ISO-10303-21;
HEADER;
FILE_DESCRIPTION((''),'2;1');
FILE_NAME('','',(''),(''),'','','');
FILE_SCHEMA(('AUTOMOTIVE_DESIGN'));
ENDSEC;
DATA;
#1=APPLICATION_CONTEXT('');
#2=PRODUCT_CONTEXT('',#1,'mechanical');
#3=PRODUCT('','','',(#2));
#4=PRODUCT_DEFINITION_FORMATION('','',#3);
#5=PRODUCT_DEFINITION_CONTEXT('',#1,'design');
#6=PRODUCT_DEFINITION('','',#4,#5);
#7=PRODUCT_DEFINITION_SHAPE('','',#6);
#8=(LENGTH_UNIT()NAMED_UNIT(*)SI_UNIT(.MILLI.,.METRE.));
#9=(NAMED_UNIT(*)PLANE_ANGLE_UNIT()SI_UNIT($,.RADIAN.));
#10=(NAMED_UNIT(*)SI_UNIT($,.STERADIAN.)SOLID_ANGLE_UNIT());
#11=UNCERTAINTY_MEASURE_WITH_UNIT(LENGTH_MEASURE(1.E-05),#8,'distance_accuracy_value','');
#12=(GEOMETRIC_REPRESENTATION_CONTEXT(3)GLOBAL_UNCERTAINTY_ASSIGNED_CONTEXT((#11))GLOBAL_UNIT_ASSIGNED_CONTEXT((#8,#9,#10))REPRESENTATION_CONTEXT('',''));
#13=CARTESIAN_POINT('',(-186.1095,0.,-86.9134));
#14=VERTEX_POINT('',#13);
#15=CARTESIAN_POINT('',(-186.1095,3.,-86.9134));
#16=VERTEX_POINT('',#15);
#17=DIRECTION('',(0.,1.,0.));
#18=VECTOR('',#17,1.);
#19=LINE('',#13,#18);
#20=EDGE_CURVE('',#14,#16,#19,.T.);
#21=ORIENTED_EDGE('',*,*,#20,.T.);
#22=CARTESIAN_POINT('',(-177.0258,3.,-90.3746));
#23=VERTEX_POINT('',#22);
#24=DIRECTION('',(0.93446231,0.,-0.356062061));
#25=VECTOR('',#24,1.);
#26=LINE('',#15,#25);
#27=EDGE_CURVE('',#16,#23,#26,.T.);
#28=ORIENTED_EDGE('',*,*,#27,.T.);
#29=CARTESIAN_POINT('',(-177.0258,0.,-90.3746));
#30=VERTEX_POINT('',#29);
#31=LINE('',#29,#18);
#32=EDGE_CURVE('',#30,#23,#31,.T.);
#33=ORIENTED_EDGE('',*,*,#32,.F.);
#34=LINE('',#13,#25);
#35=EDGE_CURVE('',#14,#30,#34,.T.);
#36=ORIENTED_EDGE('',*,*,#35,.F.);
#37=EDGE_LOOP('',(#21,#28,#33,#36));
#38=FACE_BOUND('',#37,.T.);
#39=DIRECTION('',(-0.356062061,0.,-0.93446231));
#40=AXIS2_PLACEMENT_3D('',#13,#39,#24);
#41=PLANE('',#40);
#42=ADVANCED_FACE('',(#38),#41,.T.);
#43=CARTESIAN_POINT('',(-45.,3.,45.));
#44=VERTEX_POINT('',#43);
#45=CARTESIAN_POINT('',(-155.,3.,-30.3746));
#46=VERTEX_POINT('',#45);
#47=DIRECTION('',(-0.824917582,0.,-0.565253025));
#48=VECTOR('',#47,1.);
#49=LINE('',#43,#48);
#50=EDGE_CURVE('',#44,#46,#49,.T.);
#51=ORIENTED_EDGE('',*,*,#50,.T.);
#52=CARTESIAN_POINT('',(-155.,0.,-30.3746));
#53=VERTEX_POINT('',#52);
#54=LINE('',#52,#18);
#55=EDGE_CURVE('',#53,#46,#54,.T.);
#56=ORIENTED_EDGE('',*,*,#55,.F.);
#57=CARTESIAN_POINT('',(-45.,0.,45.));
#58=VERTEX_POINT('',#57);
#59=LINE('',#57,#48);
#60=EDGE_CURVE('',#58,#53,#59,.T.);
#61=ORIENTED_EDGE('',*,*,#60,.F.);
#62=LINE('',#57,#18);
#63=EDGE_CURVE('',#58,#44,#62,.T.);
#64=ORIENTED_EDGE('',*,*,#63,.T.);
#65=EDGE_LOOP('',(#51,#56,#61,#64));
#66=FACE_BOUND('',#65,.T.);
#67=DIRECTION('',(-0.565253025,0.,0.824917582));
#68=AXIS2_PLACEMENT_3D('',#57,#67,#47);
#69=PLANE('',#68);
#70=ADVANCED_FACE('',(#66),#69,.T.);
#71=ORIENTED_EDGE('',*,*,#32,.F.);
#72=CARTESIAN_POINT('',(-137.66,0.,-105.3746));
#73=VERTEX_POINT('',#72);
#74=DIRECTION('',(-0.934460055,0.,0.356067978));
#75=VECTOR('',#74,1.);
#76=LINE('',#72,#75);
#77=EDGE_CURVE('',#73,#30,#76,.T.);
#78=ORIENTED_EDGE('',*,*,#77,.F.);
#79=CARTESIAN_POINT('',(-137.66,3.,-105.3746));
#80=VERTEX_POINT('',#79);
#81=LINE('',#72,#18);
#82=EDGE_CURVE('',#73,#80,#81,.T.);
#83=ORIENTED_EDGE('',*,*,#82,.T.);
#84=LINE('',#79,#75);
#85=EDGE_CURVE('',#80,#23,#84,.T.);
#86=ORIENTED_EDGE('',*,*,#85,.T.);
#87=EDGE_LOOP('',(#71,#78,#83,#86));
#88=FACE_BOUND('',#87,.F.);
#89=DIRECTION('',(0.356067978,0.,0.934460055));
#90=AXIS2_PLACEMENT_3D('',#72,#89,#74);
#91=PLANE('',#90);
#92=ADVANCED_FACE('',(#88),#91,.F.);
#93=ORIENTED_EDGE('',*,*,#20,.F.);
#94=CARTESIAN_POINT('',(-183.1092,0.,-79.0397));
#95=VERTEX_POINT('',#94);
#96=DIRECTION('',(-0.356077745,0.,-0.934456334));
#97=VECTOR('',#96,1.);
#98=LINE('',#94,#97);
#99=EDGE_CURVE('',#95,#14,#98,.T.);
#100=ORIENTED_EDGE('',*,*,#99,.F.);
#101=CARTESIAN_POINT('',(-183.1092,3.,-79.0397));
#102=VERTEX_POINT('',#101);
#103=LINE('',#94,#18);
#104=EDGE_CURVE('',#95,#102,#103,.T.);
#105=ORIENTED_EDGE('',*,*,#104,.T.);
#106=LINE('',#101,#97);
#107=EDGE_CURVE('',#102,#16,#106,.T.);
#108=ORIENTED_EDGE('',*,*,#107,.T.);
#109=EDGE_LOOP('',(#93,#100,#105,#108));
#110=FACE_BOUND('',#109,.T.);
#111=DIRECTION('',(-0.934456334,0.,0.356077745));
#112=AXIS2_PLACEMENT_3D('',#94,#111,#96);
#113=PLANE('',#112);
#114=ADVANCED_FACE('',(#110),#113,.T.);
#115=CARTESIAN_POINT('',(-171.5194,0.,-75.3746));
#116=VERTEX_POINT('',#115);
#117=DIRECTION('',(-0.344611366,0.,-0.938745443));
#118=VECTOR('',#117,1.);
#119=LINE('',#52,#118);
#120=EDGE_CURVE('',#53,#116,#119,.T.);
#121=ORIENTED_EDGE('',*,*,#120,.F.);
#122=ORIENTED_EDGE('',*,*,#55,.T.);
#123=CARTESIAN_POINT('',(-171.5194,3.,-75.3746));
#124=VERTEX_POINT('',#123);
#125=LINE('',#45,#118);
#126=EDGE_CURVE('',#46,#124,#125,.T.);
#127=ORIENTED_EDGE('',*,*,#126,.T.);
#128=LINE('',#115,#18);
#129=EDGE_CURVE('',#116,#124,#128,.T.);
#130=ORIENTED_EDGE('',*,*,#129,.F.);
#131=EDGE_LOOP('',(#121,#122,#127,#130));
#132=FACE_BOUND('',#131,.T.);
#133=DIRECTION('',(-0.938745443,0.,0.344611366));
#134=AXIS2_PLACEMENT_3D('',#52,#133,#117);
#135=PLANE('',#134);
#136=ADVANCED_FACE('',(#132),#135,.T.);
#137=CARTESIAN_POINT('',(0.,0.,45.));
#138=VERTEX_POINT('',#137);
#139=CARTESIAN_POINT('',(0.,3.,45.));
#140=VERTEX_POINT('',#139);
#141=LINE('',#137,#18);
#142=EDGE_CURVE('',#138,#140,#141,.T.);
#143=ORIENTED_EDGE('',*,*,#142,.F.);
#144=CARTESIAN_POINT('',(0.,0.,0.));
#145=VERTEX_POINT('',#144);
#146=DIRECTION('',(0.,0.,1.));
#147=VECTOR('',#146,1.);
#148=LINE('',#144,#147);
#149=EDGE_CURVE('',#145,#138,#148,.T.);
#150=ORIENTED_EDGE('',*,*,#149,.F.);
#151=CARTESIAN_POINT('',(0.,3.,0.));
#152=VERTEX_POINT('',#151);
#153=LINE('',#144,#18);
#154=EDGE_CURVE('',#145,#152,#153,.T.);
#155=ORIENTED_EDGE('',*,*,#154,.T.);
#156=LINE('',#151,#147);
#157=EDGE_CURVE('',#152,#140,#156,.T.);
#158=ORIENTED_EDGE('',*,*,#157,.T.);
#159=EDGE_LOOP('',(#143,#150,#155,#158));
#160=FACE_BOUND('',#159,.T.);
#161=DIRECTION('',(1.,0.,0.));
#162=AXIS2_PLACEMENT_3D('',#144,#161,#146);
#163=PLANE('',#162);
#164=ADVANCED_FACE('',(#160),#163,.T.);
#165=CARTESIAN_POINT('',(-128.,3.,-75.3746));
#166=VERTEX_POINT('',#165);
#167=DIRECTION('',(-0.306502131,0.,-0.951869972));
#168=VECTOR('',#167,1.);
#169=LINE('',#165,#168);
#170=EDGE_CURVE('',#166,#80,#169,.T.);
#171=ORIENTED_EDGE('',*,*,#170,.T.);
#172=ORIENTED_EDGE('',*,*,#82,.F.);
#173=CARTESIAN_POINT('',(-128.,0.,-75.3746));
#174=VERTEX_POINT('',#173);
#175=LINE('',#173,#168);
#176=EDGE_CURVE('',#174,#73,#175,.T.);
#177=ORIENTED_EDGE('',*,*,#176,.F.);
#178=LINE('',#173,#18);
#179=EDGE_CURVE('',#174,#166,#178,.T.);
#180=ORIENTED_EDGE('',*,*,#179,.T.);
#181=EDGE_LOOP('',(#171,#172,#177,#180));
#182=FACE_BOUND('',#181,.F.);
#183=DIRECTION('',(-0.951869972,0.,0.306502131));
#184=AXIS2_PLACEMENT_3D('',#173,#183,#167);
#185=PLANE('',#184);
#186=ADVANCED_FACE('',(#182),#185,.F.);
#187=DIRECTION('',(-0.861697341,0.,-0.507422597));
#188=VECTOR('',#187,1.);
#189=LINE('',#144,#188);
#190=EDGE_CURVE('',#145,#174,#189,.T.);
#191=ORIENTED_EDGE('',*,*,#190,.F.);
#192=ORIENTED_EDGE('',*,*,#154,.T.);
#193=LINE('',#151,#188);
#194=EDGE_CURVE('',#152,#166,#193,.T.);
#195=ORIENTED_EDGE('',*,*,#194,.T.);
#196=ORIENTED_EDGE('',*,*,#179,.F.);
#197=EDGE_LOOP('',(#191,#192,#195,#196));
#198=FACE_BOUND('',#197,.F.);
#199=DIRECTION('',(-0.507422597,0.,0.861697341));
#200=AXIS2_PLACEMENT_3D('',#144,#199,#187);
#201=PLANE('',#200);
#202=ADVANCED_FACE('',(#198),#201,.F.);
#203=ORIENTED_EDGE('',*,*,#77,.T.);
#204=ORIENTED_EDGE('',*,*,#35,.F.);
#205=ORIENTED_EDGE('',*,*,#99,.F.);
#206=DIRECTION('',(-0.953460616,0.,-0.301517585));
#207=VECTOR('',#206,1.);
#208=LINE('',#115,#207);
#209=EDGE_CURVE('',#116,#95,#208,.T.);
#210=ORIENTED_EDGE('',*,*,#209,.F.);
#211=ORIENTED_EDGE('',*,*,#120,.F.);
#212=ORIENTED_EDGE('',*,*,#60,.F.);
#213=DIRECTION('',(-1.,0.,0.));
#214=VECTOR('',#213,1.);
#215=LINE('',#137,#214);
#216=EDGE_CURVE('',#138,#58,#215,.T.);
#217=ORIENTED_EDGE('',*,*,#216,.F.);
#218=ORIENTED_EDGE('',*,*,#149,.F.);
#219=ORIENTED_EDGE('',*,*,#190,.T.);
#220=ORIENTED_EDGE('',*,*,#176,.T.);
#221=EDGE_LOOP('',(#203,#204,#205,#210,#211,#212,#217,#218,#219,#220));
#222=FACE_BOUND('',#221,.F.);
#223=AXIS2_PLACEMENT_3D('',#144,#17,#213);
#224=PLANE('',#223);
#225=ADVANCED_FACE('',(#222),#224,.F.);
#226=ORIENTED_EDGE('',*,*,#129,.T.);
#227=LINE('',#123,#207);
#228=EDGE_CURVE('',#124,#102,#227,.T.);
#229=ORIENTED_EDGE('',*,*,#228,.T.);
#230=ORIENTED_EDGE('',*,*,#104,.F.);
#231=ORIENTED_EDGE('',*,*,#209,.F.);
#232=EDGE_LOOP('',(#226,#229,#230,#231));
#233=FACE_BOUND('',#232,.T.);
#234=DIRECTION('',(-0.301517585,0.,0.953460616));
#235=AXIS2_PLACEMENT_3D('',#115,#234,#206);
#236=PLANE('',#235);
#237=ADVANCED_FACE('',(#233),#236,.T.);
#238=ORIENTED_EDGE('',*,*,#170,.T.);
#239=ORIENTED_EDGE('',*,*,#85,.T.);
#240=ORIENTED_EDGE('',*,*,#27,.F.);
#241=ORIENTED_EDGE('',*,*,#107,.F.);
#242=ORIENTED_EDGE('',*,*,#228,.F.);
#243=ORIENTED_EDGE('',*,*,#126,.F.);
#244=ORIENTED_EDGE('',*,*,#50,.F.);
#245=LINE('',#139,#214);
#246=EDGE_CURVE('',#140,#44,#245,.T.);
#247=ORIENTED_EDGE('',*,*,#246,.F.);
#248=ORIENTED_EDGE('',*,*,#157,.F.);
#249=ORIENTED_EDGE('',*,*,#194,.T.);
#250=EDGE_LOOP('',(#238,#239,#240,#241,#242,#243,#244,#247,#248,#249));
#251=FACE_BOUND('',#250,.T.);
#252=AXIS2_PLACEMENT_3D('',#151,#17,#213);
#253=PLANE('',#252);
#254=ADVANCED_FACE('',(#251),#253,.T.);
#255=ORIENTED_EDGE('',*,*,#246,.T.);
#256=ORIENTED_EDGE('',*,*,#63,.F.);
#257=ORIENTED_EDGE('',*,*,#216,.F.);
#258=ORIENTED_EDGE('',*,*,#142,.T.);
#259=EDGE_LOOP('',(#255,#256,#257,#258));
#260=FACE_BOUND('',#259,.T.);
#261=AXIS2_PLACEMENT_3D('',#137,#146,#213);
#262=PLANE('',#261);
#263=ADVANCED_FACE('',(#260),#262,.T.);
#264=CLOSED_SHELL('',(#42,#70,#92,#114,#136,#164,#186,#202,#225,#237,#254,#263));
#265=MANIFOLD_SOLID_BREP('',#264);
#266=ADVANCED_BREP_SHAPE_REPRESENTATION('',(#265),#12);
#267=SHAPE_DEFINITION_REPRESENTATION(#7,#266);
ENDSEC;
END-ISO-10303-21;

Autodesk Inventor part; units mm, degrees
ref_plane "YZ Plane" through (0, 0, 0) normal (1, 0, 0) x (0, 1, 0)
ref_plane "XZ Plane" through (0, 0, 0) normal (0, 1, 0) x (-1, 0, 0)
ref_plane "XY Plane" through (0, 0, 0) normal (0, 0, 1) x (1, 0, 0)
sketch "Esquisse1" plane through (0, 0, 0) normal (0, 1, 0) x (-1, 0, 0)
  line L0 (0, 0) -> (0, 45)
  line L1 (0, 45) -> (45, 45)
  line L2 (0, 0) -> (128, -75.3746)
  line L3 (45, 45) -> (155, -30.3746)
  line L4 (155, -30.3746) -> (171.5194, -75.3746)
  line L5 (128, -75.3746) -> (137.66, -105.3746)
  line L6 (137.66, -105.3746) -> (177.0258, -90.3746)
  line L7 (171.5194, -75.3746) -> (183.1092, -79.0397)
  line L8 (183.1092, -79.0397) -> (186.1095, -86.9134)
  line L9 (186.1095, -86.9134) -> (177.0258, -90.3746)
  dimension "d0" = 45
  dimension "d1" = 45
  dimension "d13" = 128
  dimension "d14" = 110
  dimension "d15" = 30
  dimension "d16" = 45
extrude "Extrusion1" add sketch "Esquisse1" along normal blind 3
properties part number "Bras 1"
